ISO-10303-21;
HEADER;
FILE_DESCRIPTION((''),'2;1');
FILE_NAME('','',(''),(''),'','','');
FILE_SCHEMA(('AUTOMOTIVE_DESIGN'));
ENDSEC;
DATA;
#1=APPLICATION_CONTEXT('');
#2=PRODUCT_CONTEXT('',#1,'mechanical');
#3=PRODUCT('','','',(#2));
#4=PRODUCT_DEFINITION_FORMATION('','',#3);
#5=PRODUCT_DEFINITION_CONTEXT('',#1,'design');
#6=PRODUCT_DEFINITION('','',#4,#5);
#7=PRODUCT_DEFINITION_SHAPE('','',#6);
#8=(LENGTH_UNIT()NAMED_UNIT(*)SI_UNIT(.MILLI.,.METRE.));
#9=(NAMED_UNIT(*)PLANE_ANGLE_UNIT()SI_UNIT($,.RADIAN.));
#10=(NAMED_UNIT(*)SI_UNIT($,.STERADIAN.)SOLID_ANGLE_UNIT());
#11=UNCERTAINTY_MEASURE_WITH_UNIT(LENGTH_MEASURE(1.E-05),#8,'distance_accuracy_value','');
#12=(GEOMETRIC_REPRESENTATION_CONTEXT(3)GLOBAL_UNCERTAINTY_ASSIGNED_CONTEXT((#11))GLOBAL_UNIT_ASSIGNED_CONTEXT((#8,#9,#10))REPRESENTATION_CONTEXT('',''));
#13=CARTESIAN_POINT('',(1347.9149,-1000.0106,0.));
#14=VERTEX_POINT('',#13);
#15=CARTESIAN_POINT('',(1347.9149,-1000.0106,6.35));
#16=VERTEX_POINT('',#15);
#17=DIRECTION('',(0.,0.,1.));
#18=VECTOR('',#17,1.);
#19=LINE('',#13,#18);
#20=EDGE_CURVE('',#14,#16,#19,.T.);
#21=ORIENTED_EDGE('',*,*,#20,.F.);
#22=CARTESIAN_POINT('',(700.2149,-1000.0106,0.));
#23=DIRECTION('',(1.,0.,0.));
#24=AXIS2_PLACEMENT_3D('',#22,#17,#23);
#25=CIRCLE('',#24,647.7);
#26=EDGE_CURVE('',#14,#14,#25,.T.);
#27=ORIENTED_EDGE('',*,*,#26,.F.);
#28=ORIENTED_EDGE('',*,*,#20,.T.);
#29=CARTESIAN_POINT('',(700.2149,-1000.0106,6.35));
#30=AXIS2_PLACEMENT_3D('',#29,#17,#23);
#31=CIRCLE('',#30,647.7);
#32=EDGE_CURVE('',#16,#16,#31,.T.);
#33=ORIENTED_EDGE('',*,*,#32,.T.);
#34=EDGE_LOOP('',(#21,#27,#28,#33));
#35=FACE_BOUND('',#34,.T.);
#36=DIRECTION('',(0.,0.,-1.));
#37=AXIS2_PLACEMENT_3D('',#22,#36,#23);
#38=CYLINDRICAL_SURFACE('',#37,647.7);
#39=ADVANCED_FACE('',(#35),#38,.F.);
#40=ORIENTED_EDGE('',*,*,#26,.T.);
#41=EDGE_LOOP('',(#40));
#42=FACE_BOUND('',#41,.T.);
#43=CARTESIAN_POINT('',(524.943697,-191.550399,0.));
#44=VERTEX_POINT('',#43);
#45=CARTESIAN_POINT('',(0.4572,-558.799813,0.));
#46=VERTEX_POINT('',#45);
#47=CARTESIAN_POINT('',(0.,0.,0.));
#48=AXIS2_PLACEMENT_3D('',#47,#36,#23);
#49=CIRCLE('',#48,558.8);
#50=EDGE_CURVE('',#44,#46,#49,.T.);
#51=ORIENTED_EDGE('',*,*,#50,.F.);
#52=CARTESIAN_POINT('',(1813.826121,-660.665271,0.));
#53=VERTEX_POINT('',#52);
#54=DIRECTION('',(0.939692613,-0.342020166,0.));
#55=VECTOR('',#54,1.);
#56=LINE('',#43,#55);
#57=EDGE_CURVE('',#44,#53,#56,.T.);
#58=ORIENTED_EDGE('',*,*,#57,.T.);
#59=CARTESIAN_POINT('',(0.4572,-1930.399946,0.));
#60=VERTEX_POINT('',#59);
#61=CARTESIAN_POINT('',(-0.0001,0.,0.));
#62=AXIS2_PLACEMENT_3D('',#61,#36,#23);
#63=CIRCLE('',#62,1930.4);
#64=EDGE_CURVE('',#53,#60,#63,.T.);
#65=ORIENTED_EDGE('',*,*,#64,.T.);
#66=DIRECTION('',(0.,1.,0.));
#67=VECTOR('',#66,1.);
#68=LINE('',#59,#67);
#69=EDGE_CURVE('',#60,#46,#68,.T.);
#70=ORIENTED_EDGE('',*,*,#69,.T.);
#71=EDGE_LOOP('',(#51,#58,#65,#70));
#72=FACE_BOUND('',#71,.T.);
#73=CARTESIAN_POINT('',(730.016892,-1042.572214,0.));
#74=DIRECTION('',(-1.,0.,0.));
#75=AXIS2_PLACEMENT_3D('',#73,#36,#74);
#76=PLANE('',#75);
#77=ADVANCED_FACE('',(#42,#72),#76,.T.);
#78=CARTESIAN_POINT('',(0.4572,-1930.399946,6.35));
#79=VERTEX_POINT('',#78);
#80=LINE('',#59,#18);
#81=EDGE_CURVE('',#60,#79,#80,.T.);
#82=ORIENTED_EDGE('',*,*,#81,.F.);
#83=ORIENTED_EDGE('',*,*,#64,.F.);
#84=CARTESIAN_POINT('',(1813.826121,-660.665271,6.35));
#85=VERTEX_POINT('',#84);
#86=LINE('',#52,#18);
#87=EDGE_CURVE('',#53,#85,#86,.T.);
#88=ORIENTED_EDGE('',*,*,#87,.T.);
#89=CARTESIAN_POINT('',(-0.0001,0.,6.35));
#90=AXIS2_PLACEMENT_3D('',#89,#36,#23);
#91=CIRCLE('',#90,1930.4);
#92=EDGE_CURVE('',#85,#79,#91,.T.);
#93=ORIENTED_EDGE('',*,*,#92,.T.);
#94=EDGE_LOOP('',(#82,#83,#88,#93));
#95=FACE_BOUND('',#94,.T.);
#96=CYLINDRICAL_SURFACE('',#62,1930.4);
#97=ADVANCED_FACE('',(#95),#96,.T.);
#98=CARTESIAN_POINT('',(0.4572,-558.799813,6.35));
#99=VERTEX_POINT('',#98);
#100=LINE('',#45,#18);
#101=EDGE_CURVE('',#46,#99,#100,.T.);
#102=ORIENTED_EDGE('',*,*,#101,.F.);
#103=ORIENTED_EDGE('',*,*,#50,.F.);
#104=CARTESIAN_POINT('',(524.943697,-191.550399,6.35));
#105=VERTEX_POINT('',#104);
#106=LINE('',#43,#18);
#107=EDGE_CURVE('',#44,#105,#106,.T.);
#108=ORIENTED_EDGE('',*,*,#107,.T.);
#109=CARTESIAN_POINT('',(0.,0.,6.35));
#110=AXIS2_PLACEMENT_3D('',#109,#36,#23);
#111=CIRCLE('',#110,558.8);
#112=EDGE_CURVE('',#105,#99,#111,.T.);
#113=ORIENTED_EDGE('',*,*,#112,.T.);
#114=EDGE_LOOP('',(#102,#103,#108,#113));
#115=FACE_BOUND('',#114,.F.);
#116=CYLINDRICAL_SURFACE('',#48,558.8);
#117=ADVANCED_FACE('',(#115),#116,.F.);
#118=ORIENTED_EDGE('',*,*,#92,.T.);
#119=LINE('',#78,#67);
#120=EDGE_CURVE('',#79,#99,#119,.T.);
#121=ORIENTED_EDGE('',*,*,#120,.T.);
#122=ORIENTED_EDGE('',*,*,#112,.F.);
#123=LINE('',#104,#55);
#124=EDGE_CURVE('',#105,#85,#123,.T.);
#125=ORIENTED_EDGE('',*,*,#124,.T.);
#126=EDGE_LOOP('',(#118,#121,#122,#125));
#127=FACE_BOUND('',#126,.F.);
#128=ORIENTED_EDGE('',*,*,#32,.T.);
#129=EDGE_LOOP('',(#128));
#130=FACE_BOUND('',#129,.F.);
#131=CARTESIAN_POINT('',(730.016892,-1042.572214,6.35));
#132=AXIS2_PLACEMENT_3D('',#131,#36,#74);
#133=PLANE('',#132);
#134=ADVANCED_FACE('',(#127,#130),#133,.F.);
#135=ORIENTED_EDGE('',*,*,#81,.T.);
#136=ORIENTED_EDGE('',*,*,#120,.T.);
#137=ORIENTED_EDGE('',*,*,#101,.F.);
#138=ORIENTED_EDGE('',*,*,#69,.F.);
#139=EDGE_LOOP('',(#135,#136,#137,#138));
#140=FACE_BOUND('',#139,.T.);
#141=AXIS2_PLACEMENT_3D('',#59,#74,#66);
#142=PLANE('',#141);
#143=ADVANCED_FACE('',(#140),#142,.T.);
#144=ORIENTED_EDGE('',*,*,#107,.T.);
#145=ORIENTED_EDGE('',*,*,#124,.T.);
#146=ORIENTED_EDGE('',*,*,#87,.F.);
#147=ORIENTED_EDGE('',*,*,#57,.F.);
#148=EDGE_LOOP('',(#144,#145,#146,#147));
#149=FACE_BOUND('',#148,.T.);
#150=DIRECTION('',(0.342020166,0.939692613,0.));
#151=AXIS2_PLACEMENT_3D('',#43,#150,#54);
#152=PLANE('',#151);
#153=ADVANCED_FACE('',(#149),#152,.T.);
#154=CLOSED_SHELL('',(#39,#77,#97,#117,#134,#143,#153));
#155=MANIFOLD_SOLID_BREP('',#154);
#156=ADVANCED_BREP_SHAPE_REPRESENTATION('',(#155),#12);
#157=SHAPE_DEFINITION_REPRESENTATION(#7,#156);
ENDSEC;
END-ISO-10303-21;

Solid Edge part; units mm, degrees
sketch "Sketch1" plane through (0, 0, 0) normal (0, 0, 1) x (1, 0, 0)
  line L0 (524.9437, -191.5504) -> (1813.8262, -660.6653)
  line L1 (0.4572, -1930.4) -> (0.4572, -558.7998)
  arc A0 (1813.8262, -660.6653) -> (0.4572, -1930.4) centre (-0.0001, 0) cw
  arc A1 (524.9437, -191.5504) -> (0.4572, -558.7998) centre (0, 0) cw
  circle A2 centre (700.2149, -1000.0106) radius 647.7
extrude "Protrusion1" add sketch "Sketch1" along normal blind 6.35
